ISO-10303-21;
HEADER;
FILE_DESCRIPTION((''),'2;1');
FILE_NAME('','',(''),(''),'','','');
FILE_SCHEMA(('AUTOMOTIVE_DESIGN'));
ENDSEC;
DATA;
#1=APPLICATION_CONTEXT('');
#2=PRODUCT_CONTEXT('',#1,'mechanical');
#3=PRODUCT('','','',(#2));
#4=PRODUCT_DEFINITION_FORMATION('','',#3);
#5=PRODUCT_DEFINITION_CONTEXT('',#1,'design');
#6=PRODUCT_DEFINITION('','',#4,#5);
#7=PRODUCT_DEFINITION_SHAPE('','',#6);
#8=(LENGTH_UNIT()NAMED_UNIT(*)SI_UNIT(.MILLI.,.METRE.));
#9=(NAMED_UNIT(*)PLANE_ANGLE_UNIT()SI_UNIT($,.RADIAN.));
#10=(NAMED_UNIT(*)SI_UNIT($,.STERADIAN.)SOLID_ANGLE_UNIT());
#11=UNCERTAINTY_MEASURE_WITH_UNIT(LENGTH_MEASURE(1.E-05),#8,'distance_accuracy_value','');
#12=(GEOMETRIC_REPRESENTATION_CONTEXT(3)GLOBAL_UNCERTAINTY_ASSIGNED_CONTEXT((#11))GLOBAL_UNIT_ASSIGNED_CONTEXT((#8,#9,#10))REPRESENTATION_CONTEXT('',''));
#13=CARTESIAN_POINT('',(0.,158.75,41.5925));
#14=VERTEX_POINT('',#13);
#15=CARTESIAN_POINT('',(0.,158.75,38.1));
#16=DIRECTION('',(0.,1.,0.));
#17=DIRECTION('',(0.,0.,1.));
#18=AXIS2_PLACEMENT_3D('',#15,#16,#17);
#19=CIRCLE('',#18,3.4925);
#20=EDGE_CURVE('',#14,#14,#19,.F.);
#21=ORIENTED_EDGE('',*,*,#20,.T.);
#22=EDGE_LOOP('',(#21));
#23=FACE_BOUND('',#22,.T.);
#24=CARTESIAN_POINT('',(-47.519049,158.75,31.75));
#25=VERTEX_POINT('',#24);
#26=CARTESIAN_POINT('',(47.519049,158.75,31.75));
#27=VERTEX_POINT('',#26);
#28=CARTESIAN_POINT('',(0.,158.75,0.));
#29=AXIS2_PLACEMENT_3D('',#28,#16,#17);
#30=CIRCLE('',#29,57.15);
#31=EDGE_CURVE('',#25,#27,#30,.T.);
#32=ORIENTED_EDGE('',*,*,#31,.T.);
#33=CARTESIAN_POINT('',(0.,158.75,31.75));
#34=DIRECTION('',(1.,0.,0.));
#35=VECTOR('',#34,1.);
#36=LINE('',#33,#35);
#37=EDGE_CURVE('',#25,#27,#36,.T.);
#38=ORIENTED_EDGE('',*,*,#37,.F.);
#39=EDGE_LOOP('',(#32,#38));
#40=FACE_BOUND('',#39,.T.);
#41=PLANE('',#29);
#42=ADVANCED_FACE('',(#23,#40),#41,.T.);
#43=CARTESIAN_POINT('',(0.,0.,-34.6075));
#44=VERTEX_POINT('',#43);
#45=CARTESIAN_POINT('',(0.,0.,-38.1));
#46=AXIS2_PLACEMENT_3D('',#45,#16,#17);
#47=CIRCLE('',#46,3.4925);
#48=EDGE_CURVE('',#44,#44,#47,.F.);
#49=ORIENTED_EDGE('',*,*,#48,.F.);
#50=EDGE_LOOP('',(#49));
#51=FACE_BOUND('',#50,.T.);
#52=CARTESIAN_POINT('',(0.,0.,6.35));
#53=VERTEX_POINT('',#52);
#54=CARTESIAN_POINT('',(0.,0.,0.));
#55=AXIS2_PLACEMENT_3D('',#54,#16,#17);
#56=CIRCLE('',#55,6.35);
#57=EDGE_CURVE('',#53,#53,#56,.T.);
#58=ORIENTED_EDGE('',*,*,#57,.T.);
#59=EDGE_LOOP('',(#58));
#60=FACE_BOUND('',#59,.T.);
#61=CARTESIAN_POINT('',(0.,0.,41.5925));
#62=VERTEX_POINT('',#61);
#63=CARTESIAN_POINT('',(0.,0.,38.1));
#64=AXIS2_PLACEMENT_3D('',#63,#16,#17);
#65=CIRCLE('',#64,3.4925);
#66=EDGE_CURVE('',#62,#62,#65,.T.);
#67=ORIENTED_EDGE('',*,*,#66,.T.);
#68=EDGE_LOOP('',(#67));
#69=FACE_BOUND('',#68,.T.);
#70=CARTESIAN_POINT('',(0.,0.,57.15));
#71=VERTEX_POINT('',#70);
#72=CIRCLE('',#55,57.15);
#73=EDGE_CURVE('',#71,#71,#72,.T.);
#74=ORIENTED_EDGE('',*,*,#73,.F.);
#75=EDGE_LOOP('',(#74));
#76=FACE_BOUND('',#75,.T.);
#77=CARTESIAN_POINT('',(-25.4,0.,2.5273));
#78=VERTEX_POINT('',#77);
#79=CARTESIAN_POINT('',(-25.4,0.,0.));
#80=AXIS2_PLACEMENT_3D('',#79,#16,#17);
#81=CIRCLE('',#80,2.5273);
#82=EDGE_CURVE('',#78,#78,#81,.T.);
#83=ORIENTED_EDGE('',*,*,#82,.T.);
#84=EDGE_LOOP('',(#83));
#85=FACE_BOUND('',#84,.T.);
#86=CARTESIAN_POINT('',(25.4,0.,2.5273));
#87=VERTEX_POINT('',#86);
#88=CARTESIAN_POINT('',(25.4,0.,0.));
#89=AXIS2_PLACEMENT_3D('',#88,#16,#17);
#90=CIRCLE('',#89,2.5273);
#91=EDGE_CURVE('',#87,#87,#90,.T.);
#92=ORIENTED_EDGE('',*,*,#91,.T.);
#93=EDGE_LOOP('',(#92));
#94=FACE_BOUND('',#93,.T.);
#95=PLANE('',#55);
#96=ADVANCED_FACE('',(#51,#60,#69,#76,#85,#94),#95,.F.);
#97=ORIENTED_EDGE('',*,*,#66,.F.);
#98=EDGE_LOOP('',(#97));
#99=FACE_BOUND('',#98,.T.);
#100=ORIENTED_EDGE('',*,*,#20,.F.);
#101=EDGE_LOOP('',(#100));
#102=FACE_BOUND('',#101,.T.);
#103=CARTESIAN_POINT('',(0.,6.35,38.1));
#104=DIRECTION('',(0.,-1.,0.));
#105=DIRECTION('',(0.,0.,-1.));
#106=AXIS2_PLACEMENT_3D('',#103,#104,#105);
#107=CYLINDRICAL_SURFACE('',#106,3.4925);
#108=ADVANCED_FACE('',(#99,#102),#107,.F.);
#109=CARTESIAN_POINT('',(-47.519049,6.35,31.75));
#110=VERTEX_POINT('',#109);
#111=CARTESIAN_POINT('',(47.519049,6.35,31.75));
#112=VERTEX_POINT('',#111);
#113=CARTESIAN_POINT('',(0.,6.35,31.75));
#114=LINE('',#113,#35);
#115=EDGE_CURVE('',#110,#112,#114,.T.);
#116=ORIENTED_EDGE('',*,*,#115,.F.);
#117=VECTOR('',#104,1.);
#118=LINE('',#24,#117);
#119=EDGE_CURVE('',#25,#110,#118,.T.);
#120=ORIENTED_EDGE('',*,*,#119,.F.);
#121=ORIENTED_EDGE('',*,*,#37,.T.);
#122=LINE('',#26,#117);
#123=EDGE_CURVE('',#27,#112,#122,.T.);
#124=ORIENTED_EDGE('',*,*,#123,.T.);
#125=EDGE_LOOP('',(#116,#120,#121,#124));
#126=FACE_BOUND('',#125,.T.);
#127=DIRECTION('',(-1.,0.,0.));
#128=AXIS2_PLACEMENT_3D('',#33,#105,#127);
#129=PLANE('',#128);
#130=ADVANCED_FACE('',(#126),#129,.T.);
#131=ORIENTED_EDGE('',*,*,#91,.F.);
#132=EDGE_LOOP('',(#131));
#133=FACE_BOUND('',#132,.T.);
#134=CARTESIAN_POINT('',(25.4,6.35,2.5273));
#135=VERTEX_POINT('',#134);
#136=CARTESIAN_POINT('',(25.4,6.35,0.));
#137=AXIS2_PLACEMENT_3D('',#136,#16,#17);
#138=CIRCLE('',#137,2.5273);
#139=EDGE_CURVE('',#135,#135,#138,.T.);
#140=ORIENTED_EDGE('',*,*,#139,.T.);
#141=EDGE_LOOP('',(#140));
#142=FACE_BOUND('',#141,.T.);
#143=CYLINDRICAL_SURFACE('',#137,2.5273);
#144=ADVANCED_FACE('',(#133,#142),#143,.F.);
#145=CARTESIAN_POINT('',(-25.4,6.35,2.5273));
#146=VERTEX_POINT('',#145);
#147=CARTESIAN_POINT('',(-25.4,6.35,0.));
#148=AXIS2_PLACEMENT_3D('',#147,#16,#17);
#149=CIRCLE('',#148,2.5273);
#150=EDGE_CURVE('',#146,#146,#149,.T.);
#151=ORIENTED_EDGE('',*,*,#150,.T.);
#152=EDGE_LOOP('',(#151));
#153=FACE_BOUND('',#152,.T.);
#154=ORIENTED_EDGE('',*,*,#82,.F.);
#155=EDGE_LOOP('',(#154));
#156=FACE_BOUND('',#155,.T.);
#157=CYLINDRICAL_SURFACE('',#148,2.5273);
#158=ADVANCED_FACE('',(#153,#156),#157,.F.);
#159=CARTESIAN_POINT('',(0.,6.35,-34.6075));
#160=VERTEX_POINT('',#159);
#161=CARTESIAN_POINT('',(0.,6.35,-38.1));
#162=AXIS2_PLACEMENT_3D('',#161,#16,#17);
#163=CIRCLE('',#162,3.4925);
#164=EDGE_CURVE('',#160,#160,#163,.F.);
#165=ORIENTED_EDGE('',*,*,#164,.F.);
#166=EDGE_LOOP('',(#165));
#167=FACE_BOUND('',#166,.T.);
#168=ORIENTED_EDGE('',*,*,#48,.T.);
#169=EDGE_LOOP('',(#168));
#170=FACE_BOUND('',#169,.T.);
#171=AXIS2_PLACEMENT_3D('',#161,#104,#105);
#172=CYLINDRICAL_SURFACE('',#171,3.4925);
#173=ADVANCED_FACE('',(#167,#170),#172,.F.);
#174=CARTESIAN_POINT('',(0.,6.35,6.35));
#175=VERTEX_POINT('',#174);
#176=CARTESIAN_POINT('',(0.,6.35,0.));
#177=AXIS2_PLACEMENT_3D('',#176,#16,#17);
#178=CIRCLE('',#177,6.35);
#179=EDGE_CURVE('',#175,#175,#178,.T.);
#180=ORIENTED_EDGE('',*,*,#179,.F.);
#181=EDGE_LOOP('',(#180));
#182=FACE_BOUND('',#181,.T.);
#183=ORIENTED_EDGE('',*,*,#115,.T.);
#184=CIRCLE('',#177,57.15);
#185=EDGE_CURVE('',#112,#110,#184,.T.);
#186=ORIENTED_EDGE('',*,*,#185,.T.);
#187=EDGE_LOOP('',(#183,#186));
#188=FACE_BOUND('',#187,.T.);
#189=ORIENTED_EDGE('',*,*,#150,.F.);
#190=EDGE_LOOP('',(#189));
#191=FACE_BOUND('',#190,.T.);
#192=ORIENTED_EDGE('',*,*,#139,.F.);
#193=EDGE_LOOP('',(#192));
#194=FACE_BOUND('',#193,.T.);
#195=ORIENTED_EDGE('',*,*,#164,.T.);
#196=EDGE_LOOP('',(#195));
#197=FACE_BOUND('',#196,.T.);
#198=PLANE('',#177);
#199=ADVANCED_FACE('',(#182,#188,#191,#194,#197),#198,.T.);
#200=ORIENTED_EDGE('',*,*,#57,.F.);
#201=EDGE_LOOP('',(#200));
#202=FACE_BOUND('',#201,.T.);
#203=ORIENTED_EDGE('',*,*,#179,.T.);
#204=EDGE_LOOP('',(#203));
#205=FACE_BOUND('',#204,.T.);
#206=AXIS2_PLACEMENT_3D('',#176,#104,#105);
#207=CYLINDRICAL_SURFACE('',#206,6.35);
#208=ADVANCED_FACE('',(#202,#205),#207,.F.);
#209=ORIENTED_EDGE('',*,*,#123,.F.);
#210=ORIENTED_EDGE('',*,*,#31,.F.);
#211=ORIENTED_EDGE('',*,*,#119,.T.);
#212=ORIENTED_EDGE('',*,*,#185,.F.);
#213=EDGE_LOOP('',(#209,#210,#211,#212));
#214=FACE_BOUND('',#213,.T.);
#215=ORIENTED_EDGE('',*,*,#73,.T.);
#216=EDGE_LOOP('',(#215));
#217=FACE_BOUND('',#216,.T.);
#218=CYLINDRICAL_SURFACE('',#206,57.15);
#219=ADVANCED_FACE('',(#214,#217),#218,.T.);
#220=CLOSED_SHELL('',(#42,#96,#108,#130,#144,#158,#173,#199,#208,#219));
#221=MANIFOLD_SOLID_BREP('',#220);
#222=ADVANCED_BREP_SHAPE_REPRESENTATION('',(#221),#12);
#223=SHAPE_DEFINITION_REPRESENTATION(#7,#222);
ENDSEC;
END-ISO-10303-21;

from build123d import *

# Parameters (mm, degrees)
SKETCH1_R                  = 57.15
SKETCH1_R_2                = 6.35
SKETCH1_R_3                = 3.4925
BOSS_EXTRUDE1_DEPTH        = 6.35
F_8_0_199_DIAMETER_HOLE1_D = 5.0546
SKETCH6_R                  = 3.4925
BOSS_EXTRUDE3_DEPTH        = 152.4


with BuildPart() as part:
    # Sketch1 → Boss-Extrude1 (new body)
    with BuildSketch(Plane(origin=(0, 0, 0), x_dir=(1, 0, 0), z_dir=(0, 1, 0))):
        Circle(SKETCH1_R)
        Circle(SKETCH1_R_2, mode=Mode.SUBTRACT)
        with Locations((0, 38.1)):
            Circle(SKETCH1_R_3, mode=Mode.SUBTRACT)
        with Locations((0, -38.1)):
            Circle(SKETCH1_R_3, mode=Mode.SUBTRACT)
    extrude(amount=BOSS_EXTRUDE1_DEPTH)

    # #8 (0.199) Diameter Hole1 (through all)
    with Locations(Plane(origin=(-25.4, 6.35, 0), x_dir=(0, 0, 1), z_dir=(0, 1, 0))):
        with Locations((0, 0), (0, 50.8)):
            Hole(F_8_0_199_DIAMETER_HOLE1_D / 2)

    # Sketch6 → Boss-Extrude3 (add)
    with BuildSketch(Plane(origin=(0, 6.35, 0), x_dir=(1, 0, 0), z_dir=(0, 1, 0))):
        with BuildLine():
            Line((47.519048812, -31.75), (-47.519048812, -31.75))
            ThreePointArc((-47.519048812, -31.75), (0, -57.15), (47.519048812, -31.75))
        make_face()
        with Locations((0, -38.1)):
            Circle(SKETCH6_R, mode=Mode.SUBTRACT)
    extrude(amount=BOSS_EXTRUDE3_DEPTH)


solid = part.part
